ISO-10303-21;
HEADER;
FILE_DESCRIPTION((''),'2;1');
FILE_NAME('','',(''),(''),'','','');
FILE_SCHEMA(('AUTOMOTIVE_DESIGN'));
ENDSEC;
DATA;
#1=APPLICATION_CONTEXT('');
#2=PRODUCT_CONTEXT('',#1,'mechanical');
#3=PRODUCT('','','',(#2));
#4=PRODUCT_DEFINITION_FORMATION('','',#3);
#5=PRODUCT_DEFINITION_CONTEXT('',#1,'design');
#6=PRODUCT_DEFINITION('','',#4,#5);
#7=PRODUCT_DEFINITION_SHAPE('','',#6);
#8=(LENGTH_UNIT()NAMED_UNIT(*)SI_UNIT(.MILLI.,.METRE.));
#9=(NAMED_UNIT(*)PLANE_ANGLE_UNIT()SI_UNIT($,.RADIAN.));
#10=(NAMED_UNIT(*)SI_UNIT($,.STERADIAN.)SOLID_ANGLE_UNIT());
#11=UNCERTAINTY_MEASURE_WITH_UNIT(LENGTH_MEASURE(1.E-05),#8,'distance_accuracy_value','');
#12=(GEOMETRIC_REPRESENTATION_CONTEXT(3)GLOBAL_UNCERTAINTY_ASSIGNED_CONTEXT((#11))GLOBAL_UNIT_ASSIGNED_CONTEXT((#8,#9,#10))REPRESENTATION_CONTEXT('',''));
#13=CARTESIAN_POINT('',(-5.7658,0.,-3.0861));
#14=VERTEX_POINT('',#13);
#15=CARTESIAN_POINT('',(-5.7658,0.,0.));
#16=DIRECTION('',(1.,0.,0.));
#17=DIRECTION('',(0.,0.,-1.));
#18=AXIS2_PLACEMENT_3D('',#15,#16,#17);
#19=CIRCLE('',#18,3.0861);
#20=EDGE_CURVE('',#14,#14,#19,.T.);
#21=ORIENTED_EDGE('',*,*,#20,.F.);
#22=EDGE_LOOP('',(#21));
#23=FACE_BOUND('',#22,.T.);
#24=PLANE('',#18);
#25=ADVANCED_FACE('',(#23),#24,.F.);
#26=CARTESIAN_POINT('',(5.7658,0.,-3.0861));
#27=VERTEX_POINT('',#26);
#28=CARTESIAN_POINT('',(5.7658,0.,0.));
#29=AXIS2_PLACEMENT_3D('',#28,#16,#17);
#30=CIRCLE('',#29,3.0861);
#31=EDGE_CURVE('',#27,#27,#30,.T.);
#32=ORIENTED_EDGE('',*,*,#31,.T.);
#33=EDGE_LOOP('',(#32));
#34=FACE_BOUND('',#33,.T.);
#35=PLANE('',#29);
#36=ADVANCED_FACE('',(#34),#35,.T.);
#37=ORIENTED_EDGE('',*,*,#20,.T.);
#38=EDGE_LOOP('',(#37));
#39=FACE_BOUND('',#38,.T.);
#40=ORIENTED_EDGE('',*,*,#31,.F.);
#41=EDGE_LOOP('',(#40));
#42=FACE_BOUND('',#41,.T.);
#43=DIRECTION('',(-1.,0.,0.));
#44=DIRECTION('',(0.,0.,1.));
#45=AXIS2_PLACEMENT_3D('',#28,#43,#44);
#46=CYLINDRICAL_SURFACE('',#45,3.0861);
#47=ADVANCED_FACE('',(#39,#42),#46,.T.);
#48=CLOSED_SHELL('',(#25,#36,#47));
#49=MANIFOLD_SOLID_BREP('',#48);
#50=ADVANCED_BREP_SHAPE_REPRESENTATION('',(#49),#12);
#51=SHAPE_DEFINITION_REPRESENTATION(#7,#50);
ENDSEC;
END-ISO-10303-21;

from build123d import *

# Parameters (mm, degrees)
SKETCH1_R           = 3.0861
BOSS_EXTRUDE1_DEPTH = 5.7658


with BuildPart() as part:
    # Sketch1 → Boss-Extrude1 (new body, symmetric)
    with BuildSketch(Plane(origin=(0, 0, 0), x_dir=(0, 0, -1), z_dir=(1, 0, 0))):
        Circle(SKETCH1_R)
    extrude(amount=BOSS_EXTRUDE1_DEPTH, both=True)


solid = part.part
